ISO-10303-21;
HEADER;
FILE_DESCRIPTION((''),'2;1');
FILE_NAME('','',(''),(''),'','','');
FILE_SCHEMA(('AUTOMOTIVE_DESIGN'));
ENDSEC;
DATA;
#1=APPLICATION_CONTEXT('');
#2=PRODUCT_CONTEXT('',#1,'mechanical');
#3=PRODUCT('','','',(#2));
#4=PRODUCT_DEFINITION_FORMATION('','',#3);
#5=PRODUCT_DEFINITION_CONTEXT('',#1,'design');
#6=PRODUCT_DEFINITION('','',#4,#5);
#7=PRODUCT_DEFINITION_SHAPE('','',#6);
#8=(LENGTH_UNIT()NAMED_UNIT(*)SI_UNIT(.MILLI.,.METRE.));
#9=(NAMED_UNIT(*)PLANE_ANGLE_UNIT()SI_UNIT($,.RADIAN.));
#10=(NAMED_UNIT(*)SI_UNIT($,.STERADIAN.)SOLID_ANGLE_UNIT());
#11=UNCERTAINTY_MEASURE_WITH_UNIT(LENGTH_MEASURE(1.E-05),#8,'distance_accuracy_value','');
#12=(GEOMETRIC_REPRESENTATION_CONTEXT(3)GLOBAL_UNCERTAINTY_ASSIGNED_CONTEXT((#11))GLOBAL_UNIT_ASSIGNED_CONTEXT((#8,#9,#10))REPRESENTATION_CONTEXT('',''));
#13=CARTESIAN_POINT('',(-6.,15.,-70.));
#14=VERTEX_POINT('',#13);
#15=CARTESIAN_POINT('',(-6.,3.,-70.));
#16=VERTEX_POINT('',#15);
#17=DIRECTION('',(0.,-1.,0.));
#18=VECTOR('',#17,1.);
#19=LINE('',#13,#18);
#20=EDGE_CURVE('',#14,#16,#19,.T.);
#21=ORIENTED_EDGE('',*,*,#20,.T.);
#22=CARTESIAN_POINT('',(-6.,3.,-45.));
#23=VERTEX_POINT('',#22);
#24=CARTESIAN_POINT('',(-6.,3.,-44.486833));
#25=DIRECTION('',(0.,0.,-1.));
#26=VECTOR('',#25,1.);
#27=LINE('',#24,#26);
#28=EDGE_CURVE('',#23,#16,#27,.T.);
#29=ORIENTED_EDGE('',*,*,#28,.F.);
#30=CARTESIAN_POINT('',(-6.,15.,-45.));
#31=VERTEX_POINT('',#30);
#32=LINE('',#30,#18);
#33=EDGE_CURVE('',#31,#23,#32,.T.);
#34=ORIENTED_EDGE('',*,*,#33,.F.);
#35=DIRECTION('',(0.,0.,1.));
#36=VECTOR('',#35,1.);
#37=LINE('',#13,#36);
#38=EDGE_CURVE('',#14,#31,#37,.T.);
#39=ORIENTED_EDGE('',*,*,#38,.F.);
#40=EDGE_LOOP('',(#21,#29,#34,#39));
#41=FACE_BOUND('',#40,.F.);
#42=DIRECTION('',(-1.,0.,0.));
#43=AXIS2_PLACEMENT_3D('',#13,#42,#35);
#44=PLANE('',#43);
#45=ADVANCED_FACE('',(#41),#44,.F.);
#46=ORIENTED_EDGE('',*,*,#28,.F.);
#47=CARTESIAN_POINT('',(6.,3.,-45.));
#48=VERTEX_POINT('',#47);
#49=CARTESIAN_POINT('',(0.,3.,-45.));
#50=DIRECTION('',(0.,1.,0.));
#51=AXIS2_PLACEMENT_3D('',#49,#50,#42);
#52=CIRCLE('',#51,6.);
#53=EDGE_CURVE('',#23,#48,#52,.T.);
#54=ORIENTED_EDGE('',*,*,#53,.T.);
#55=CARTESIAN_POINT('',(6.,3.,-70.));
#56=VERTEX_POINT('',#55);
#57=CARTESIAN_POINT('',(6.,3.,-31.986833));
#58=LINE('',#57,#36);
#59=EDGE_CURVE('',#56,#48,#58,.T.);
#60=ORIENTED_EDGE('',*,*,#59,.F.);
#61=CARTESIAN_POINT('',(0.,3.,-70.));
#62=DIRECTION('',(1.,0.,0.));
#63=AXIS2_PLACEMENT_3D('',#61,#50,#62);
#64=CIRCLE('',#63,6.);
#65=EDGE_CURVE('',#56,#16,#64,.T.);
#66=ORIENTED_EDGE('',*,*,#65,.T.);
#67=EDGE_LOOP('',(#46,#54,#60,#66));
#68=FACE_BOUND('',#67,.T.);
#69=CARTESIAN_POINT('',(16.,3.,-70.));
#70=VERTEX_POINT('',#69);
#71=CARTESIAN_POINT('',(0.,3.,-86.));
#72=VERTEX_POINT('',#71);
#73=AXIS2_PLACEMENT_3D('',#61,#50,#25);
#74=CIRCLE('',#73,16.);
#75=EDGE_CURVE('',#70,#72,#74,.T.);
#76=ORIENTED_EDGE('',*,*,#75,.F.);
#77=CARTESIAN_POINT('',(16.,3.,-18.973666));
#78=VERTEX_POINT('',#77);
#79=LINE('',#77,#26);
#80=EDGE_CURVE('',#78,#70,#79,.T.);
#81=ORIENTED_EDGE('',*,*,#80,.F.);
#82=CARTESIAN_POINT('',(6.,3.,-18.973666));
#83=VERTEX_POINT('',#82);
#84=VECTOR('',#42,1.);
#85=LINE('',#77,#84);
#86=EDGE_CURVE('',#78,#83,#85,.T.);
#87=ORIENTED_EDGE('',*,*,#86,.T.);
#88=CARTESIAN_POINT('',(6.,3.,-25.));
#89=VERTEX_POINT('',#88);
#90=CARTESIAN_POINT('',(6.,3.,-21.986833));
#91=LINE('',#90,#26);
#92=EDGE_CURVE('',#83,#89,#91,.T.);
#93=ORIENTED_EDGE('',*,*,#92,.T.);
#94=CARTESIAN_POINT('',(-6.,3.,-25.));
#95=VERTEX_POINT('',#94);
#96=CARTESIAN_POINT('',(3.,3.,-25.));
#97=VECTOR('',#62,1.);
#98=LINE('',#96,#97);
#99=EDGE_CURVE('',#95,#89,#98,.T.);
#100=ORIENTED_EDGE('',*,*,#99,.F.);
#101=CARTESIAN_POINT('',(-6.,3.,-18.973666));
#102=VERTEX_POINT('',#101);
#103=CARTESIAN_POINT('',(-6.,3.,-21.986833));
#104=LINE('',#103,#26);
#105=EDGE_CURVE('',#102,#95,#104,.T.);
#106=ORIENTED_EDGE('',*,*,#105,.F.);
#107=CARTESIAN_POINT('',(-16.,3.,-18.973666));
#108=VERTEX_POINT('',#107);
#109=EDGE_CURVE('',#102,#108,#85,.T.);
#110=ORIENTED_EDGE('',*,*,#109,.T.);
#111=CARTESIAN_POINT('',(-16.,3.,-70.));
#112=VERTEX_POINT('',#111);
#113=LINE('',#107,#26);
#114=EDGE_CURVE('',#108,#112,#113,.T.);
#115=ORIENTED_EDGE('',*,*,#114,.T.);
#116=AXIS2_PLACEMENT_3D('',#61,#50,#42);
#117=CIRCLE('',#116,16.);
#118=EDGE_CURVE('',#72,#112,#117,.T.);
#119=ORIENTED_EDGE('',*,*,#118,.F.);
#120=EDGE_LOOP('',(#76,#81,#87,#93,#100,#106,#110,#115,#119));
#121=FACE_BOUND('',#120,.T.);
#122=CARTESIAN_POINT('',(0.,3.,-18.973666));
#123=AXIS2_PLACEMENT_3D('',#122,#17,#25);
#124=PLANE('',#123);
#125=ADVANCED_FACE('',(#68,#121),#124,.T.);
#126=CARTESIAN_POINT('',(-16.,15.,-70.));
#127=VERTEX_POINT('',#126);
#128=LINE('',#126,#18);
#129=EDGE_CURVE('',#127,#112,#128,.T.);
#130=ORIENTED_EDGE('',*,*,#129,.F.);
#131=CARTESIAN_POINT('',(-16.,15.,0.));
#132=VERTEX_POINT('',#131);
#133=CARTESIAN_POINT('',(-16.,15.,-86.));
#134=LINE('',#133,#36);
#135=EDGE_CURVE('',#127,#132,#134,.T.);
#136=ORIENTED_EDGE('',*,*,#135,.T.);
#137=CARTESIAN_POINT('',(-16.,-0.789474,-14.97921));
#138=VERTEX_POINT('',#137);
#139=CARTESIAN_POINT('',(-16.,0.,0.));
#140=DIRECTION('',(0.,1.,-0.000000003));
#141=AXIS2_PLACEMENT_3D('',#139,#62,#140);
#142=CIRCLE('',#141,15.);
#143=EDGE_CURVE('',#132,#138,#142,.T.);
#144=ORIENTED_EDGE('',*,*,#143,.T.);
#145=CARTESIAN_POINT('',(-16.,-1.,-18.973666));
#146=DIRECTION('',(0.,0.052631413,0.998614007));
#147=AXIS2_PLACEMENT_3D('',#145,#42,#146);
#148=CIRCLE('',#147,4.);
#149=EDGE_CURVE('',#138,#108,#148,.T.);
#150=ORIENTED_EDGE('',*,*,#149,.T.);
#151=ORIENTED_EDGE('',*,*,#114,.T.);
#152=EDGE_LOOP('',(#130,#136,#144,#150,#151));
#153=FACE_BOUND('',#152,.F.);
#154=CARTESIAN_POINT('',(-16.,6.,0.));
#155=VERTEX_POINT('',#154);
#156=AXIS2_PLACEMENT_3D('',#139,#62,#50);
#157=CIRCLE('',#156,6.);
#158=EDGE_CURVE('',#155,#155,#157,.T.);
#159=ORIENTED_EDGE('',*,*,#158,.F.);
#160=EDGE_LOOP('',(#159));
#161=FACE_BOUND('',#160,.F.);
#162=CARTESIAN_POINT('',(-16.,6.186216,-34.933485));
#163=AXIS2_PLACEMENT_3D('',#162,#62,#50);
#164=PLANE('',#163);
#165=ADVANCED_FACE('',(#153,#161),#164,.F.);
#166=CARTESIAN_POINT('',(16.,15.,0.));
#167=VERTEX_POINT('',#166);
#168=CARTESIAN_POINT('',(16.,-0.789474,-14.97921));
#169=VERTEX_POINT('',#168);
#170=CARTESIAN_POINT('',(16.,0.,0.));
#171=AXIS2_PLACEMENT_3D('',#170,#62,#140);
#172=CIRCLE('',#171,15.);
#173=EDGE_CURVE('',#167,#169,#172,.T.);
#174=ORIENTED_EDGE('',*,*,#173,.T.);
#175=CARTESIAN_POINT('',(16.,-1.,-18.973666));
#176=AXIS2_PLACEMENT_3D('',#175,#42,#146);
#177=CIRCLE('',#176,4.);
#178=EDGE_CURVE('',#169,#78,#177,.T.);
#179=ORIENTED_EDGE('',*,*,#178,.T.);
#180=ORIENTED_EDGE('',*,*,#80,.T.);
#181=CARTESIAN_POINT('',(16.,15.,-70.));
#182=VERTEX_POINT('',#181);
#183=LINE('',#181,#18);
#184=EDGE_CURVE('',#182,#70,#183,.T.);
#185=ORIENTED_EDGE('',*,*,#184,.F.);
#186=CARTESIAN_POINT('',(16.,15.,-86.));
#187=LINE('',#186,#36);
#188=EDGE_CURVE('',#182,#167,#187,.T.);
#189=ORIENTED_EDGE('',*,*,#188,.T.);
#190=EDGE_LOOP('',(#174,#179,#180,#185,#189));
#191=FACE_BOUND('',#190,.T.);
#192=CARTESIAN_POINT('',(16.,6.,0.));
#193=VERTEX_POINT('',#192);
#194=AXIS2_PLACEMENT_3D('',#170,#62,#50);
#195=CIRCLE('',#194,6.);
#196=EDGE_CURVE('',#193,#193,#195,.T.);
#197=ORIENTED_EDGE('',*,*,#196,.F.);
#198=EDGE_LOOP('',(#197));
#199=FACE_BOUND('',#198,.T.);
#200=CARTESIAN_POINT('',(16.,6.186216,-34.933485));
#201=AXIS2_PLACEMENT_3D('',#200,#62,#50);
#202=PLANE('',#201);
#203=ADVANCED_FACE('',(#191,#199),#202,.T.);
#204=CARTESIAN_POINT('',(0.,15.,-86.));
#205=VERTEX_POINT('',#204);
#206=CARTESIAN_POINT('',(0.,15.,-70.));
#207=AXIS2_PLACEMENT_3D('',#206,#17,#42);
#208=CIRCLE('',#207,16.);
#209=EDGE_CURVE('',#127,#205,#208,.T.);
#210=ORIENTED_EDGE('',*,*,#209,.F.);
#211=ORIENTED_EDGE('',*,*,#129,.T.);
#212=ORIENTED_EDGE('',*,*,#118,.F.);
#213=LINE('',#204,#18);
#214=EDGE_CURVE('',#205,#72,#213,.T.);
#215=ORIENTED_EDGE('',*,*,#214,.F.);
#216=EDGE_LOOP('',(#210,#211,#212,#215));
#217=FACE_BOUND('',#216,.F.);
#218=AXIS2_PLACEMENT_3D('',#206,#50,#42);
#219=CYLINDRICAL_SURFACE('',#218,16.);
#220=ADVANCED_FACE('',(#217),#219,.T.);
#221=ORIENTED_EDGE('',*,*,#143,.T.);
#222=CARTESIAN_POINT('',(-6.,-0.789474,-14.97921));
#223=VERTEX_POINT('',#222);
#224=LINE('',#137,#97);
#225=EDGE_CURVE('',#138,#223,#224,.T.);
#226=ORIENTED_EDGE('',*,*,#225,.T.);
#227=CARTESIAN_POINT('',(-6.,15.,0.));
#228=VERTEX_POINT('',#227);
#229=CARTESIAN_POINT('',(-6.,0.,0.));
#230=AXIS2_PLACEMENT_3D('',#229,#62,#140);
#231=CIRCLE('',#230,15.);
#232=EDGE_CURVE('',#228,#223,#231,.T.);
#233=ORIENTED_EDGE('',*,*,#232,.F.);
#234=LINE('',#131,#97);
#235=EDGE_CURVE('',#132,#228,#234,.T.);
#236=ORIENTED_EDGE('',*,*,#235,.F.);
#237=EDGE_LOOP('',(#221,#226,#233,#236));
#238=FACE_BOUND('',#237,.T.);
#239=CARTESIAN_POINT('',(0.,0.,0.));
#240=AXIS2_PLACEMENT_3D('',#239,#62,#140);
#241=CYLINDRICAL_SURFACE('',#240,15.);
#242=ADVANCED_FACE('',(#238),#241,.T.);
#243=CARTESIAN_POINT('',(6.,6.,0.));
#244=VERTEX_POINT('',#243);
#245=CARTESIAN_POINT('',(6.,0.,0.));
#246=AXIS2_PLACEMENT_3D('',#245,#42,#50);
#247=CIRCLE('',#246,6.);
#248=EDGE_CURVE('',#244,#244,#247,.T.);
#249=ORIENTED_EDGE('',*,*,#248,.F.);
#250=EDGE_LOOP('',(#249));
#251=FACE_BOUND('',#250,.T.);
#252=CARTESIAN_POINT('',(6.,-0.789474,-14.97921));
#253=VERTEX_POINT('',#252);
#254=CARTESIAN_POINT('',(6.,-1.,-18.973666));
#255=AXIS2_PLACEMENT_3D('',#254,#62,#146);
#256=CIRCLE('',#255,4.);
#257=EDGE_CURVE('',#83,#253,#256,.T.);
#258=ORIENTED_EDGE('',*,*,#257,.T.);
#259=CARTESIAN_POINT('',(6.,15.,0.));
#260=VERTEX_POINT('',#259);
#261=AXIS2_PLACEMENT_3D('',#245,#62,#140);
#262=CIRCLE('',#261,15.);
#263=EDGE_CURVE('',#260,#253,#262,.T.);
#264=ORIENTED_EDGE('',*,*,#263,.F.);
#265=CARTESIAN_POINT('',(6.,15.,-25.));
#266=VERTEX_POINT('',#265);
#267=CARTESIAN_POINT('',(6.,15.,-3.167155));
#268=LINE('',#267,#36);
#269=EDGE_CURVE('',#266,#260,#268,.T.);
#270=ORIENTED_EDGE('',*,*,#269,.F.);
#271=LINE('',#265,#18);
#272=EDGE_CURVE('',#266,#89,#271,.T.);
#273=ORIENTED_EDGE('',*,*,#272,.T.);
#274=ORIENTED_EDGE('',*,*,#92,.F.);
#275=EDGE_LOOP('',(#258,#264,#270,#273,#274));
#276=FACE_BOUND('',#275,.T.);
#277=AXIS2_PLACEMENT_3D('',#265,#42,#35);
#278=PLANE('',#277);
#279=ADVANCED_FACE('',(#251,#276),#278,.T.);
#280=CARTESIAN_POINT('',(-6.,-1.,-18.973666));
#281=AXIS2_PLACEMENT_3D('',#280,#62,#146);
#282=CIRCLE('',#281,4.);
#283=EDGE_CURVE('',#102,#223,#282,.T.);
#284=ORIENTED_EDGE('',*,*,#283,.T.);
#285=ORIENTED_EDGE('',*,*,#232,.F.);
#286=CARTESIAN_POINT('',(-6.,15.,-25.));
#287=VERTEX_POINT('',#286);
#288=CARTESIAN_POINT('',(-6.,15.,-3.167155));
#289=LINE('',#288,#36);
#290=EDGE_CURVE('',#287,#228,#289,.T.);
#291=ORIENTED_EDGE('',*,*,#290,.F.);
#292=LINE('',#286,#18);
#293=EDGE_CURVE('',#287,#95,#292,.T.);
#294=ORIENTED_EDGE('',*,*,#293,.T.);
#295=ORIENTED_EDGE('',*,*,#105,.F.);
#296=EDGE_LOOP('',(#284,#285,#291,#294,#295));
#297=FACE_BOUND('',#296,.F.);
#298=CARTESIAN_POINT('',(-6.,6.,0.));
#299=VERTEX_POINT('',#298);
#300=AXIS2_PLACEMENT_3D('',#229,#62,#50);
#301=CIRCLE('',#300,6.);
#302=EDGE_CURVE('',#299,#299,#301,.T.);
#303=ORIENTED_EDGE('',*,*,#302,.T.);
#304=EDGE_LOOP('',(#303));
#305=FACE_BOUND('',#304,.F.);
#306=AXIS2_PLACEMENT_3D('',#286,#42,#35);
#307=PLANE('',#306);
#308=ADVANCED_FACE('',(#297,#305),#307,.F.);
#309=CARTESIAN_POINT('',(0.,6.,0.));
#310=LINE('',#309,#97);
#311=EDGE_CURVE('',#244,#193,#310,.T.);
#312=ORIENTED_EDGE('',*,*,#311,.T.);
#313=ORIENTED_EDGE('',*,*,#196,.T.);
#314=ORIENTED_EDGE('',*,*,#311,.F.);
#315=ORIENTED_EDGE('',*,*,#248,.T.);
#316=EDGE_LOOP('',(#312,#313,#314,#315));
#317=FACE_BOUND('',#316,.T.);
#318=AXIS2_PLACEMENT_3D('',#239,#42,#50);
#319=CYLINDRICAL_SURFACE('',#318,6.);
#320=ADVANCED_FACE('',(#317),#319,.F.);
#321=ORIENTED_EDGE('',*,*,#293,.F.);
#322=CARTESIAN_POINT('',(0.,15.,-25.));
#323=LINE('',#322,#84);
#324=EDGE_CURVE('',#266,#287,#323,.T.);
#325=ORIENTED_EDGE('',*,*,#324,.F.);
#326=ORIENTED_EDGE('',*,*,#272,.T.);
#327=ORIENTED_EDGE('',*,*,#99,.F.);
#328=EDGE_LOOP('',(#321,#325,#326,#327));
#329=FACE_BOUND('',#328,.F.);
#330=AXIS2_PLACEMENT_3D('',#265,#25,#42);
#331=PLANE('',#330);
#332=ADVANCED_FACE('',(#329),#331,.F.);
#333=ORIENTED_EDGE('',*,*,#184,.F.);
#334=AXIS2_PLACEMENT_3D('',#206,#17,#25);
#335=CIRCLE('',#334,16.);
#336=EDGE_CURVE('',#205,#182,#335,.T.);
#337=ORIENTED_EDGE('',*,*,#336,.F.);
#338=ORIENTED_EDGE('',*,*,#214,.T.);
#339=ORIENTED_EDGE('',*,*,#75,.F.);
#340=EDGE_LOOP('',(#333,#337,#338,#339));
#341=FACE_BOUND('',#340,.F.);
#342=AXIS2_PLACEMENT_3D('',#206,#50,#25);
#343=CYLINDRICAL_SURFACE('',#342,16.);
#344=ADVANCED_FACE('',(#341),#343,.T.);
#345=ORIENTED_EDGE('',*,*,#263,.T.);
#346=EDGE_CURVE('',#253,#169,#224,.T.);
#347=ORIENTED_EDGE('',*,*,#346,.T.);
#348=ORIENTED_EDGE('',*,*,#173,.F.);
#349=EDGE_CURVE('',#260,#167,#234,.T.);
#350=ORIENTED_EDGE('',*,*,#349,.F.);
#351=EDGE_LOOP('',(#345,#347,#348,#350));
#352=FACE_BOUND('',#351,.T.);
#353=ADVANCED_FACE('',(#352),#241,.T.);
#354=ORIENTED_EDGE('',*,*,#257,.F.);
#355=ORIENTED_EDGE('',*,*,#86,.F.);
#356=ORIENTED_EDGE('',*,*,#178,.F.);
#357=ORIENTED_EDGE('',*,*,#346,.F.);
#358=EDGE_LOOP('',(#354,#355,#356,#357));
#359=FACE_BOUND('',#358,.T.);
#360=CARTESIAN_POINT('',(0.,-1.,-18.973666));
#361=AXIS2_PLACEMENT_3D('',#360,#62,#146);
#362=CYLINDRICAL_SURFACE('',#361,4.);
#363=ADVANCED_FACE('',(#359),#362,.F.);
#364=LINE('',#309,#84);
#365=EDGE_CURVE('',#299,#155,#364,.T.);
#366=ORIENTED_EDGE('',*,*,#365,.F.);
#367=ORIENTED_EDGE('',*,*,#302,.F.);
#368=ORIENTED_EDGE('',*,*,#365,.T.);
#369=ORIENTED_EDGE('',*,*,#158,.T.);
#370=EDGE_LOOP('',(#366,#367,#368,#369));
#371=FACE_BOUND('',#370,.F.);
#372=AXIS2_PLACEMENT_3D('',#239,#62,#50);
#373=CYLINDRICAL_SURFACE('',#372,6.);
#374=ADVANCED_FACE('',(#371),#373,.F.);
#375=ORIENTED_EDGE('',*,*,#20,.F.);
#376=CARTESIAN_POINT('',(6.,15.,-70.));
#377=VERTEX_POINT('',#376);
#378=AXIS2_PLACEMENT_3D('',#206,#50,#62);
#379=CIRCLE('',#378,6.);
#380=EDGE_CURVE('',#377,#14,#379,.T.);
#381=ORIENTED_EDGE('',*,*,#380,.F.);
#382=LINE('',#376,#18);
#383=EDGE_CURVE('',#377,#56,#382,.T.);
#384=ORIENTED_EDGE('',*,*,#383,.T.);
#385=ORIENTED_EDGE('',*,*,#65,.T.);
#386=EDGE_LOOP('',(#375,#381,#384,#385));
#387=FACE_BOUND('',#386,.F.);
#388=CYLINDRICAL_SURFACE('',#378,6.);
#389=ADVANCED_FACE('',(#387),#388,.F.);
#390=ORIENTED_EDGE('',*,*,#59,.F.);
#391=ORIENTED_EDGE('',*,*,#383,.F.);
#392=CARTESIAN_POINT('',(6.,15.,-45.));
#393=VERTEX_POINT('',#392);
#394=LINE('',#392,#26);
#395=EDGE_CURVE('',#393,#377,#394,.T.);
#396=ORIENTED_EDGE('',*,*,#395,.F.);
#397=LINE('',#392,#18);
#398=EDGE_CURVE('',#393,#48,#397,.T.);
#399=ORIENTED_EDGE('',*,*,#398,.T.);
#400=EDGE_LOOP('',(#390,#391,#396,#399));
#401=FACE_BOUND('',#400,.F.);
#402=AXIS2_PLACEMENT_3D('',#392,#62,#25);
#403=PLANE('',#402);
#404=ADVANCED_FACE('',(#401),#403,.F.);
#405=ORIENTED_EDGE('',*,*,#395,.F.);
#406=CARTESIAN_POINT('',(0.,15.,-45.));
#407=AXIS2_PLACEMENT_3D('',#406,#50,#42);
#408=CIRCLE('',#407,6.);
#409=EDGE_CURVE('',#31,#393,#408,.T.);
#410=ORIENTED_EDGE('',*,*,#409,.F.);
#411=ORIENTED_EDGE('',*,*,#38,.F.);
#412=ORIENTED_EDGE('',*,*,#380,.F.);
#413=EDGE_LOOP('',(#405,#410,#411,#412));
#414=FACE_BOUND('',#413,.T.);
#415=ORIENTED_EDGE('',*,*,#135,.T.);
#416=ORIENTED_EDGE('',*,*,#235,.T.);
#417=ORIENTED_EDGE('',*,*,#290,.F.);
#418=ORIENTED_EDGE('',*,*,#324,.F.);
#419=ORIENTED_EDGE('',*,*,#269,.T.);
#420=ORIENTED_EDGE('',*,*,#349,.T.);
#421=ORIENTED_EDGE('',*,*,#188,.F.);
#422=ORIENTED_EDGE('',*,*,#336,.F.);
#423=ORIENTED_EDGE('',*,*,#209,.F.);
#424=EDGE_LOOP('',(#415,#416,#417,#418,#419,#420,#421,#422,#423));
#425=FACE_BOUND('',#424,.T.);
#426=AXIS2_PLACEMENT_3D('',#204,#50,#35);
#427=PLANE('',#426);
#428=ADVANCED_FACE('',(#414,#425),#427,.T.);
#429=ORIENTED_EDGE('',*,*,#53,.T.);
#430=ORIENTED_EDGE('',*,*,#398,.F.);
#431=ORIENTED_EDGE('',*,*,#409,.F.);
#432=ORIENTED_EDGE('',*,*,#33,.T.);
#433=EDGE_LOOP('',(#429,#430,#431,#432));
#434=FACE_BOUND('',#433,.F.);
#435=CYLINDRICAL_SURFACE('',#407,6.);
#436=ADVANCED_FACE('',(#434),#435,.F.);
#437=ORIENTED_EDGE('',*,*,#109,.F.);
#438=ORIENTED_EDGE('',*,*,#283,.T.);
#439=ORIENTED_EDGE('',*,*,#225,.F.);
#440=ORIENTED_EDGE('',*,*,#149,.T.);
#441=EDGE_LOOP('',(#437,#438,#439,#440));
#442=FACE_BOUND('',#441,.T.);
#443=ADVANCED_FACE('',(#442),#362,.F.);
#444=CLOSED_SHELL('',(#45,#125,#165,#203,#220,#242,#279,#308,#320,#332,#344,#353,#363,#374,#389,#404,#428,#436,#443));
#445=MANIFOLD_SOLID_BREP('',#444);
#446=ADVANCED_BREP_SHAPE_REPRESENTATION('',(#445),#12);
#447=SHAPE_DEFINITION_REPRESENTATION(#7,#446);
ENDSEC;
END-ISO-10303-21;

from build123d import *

# Parameters (mm, degrees)
F0_R          = 6
F1_DEPTH      = 16
F1_DEPTH_BACK = 16
F2_W          = 12
F2_H          = 43.665691
F3_DEPTH      = 30.001


with BuildPart() as f1:
    # F0 (on Right) → F1 (new body, two sides)
    with BuildSketch(Plane.YZ) as f1_sk:
        with BuildLine():
            Line((15, -86), (15, 0))
            ThreePointArc((15, 0), (-10.323708, 10.882144), (-0.789474, -14.97921))
            ThreePointArc((-0.789474, -14.97921), (1.901905, -16.220677), (3, -18.973666))
            Line((3, -18.973666), (3, -86))
            Line((3, -86), (15, -86))
        make_face()
        Circle(F0_R, mode=Mode.SUBTRACT)
    extrude(amount=F1_DEPTH)
    extrude(f1_sk.sketch, amount=-F1_DEPTH_BACK)

    # F2 (on face) → F3 (cut, through all)
    with BuildSketch(Plane(origin=(0, 15, 0), x_dir=(-1, 0, 0), z_dir=(0, 1, 0))):
        with Locations((0, -3.167155)):
            Rectangle(F2_W, F2_H)
        with BuildLine():
            Line((6, -70), (6, -45))
            ThreePointArc((6, -45), (0, -39), (-6, -45))
            Line((-6, -45), (-6, -70))
            ThreePointArc((-6, -70), (0, -76), (6, -70))
        make_face()
        with BuildLine():
            ThreePointArc((0, -86), (-11.313708, -81.313709), (-16, -70))
            Line((-16, -70), (-16, -86))
            Line((-16, -86), (0, -86))
        make_face()
        with BuildLine():
            Line((16, -86), (16, -70))
            ThreePointArc((16, -70), (11.313709, -81.313708), (0, -86))
            Line((0, -86), (16, -86))
        make_face()
    extrude(amount=-F3_DEPTH, mode=Mode.SUBTRACT)


solid = f1.part
